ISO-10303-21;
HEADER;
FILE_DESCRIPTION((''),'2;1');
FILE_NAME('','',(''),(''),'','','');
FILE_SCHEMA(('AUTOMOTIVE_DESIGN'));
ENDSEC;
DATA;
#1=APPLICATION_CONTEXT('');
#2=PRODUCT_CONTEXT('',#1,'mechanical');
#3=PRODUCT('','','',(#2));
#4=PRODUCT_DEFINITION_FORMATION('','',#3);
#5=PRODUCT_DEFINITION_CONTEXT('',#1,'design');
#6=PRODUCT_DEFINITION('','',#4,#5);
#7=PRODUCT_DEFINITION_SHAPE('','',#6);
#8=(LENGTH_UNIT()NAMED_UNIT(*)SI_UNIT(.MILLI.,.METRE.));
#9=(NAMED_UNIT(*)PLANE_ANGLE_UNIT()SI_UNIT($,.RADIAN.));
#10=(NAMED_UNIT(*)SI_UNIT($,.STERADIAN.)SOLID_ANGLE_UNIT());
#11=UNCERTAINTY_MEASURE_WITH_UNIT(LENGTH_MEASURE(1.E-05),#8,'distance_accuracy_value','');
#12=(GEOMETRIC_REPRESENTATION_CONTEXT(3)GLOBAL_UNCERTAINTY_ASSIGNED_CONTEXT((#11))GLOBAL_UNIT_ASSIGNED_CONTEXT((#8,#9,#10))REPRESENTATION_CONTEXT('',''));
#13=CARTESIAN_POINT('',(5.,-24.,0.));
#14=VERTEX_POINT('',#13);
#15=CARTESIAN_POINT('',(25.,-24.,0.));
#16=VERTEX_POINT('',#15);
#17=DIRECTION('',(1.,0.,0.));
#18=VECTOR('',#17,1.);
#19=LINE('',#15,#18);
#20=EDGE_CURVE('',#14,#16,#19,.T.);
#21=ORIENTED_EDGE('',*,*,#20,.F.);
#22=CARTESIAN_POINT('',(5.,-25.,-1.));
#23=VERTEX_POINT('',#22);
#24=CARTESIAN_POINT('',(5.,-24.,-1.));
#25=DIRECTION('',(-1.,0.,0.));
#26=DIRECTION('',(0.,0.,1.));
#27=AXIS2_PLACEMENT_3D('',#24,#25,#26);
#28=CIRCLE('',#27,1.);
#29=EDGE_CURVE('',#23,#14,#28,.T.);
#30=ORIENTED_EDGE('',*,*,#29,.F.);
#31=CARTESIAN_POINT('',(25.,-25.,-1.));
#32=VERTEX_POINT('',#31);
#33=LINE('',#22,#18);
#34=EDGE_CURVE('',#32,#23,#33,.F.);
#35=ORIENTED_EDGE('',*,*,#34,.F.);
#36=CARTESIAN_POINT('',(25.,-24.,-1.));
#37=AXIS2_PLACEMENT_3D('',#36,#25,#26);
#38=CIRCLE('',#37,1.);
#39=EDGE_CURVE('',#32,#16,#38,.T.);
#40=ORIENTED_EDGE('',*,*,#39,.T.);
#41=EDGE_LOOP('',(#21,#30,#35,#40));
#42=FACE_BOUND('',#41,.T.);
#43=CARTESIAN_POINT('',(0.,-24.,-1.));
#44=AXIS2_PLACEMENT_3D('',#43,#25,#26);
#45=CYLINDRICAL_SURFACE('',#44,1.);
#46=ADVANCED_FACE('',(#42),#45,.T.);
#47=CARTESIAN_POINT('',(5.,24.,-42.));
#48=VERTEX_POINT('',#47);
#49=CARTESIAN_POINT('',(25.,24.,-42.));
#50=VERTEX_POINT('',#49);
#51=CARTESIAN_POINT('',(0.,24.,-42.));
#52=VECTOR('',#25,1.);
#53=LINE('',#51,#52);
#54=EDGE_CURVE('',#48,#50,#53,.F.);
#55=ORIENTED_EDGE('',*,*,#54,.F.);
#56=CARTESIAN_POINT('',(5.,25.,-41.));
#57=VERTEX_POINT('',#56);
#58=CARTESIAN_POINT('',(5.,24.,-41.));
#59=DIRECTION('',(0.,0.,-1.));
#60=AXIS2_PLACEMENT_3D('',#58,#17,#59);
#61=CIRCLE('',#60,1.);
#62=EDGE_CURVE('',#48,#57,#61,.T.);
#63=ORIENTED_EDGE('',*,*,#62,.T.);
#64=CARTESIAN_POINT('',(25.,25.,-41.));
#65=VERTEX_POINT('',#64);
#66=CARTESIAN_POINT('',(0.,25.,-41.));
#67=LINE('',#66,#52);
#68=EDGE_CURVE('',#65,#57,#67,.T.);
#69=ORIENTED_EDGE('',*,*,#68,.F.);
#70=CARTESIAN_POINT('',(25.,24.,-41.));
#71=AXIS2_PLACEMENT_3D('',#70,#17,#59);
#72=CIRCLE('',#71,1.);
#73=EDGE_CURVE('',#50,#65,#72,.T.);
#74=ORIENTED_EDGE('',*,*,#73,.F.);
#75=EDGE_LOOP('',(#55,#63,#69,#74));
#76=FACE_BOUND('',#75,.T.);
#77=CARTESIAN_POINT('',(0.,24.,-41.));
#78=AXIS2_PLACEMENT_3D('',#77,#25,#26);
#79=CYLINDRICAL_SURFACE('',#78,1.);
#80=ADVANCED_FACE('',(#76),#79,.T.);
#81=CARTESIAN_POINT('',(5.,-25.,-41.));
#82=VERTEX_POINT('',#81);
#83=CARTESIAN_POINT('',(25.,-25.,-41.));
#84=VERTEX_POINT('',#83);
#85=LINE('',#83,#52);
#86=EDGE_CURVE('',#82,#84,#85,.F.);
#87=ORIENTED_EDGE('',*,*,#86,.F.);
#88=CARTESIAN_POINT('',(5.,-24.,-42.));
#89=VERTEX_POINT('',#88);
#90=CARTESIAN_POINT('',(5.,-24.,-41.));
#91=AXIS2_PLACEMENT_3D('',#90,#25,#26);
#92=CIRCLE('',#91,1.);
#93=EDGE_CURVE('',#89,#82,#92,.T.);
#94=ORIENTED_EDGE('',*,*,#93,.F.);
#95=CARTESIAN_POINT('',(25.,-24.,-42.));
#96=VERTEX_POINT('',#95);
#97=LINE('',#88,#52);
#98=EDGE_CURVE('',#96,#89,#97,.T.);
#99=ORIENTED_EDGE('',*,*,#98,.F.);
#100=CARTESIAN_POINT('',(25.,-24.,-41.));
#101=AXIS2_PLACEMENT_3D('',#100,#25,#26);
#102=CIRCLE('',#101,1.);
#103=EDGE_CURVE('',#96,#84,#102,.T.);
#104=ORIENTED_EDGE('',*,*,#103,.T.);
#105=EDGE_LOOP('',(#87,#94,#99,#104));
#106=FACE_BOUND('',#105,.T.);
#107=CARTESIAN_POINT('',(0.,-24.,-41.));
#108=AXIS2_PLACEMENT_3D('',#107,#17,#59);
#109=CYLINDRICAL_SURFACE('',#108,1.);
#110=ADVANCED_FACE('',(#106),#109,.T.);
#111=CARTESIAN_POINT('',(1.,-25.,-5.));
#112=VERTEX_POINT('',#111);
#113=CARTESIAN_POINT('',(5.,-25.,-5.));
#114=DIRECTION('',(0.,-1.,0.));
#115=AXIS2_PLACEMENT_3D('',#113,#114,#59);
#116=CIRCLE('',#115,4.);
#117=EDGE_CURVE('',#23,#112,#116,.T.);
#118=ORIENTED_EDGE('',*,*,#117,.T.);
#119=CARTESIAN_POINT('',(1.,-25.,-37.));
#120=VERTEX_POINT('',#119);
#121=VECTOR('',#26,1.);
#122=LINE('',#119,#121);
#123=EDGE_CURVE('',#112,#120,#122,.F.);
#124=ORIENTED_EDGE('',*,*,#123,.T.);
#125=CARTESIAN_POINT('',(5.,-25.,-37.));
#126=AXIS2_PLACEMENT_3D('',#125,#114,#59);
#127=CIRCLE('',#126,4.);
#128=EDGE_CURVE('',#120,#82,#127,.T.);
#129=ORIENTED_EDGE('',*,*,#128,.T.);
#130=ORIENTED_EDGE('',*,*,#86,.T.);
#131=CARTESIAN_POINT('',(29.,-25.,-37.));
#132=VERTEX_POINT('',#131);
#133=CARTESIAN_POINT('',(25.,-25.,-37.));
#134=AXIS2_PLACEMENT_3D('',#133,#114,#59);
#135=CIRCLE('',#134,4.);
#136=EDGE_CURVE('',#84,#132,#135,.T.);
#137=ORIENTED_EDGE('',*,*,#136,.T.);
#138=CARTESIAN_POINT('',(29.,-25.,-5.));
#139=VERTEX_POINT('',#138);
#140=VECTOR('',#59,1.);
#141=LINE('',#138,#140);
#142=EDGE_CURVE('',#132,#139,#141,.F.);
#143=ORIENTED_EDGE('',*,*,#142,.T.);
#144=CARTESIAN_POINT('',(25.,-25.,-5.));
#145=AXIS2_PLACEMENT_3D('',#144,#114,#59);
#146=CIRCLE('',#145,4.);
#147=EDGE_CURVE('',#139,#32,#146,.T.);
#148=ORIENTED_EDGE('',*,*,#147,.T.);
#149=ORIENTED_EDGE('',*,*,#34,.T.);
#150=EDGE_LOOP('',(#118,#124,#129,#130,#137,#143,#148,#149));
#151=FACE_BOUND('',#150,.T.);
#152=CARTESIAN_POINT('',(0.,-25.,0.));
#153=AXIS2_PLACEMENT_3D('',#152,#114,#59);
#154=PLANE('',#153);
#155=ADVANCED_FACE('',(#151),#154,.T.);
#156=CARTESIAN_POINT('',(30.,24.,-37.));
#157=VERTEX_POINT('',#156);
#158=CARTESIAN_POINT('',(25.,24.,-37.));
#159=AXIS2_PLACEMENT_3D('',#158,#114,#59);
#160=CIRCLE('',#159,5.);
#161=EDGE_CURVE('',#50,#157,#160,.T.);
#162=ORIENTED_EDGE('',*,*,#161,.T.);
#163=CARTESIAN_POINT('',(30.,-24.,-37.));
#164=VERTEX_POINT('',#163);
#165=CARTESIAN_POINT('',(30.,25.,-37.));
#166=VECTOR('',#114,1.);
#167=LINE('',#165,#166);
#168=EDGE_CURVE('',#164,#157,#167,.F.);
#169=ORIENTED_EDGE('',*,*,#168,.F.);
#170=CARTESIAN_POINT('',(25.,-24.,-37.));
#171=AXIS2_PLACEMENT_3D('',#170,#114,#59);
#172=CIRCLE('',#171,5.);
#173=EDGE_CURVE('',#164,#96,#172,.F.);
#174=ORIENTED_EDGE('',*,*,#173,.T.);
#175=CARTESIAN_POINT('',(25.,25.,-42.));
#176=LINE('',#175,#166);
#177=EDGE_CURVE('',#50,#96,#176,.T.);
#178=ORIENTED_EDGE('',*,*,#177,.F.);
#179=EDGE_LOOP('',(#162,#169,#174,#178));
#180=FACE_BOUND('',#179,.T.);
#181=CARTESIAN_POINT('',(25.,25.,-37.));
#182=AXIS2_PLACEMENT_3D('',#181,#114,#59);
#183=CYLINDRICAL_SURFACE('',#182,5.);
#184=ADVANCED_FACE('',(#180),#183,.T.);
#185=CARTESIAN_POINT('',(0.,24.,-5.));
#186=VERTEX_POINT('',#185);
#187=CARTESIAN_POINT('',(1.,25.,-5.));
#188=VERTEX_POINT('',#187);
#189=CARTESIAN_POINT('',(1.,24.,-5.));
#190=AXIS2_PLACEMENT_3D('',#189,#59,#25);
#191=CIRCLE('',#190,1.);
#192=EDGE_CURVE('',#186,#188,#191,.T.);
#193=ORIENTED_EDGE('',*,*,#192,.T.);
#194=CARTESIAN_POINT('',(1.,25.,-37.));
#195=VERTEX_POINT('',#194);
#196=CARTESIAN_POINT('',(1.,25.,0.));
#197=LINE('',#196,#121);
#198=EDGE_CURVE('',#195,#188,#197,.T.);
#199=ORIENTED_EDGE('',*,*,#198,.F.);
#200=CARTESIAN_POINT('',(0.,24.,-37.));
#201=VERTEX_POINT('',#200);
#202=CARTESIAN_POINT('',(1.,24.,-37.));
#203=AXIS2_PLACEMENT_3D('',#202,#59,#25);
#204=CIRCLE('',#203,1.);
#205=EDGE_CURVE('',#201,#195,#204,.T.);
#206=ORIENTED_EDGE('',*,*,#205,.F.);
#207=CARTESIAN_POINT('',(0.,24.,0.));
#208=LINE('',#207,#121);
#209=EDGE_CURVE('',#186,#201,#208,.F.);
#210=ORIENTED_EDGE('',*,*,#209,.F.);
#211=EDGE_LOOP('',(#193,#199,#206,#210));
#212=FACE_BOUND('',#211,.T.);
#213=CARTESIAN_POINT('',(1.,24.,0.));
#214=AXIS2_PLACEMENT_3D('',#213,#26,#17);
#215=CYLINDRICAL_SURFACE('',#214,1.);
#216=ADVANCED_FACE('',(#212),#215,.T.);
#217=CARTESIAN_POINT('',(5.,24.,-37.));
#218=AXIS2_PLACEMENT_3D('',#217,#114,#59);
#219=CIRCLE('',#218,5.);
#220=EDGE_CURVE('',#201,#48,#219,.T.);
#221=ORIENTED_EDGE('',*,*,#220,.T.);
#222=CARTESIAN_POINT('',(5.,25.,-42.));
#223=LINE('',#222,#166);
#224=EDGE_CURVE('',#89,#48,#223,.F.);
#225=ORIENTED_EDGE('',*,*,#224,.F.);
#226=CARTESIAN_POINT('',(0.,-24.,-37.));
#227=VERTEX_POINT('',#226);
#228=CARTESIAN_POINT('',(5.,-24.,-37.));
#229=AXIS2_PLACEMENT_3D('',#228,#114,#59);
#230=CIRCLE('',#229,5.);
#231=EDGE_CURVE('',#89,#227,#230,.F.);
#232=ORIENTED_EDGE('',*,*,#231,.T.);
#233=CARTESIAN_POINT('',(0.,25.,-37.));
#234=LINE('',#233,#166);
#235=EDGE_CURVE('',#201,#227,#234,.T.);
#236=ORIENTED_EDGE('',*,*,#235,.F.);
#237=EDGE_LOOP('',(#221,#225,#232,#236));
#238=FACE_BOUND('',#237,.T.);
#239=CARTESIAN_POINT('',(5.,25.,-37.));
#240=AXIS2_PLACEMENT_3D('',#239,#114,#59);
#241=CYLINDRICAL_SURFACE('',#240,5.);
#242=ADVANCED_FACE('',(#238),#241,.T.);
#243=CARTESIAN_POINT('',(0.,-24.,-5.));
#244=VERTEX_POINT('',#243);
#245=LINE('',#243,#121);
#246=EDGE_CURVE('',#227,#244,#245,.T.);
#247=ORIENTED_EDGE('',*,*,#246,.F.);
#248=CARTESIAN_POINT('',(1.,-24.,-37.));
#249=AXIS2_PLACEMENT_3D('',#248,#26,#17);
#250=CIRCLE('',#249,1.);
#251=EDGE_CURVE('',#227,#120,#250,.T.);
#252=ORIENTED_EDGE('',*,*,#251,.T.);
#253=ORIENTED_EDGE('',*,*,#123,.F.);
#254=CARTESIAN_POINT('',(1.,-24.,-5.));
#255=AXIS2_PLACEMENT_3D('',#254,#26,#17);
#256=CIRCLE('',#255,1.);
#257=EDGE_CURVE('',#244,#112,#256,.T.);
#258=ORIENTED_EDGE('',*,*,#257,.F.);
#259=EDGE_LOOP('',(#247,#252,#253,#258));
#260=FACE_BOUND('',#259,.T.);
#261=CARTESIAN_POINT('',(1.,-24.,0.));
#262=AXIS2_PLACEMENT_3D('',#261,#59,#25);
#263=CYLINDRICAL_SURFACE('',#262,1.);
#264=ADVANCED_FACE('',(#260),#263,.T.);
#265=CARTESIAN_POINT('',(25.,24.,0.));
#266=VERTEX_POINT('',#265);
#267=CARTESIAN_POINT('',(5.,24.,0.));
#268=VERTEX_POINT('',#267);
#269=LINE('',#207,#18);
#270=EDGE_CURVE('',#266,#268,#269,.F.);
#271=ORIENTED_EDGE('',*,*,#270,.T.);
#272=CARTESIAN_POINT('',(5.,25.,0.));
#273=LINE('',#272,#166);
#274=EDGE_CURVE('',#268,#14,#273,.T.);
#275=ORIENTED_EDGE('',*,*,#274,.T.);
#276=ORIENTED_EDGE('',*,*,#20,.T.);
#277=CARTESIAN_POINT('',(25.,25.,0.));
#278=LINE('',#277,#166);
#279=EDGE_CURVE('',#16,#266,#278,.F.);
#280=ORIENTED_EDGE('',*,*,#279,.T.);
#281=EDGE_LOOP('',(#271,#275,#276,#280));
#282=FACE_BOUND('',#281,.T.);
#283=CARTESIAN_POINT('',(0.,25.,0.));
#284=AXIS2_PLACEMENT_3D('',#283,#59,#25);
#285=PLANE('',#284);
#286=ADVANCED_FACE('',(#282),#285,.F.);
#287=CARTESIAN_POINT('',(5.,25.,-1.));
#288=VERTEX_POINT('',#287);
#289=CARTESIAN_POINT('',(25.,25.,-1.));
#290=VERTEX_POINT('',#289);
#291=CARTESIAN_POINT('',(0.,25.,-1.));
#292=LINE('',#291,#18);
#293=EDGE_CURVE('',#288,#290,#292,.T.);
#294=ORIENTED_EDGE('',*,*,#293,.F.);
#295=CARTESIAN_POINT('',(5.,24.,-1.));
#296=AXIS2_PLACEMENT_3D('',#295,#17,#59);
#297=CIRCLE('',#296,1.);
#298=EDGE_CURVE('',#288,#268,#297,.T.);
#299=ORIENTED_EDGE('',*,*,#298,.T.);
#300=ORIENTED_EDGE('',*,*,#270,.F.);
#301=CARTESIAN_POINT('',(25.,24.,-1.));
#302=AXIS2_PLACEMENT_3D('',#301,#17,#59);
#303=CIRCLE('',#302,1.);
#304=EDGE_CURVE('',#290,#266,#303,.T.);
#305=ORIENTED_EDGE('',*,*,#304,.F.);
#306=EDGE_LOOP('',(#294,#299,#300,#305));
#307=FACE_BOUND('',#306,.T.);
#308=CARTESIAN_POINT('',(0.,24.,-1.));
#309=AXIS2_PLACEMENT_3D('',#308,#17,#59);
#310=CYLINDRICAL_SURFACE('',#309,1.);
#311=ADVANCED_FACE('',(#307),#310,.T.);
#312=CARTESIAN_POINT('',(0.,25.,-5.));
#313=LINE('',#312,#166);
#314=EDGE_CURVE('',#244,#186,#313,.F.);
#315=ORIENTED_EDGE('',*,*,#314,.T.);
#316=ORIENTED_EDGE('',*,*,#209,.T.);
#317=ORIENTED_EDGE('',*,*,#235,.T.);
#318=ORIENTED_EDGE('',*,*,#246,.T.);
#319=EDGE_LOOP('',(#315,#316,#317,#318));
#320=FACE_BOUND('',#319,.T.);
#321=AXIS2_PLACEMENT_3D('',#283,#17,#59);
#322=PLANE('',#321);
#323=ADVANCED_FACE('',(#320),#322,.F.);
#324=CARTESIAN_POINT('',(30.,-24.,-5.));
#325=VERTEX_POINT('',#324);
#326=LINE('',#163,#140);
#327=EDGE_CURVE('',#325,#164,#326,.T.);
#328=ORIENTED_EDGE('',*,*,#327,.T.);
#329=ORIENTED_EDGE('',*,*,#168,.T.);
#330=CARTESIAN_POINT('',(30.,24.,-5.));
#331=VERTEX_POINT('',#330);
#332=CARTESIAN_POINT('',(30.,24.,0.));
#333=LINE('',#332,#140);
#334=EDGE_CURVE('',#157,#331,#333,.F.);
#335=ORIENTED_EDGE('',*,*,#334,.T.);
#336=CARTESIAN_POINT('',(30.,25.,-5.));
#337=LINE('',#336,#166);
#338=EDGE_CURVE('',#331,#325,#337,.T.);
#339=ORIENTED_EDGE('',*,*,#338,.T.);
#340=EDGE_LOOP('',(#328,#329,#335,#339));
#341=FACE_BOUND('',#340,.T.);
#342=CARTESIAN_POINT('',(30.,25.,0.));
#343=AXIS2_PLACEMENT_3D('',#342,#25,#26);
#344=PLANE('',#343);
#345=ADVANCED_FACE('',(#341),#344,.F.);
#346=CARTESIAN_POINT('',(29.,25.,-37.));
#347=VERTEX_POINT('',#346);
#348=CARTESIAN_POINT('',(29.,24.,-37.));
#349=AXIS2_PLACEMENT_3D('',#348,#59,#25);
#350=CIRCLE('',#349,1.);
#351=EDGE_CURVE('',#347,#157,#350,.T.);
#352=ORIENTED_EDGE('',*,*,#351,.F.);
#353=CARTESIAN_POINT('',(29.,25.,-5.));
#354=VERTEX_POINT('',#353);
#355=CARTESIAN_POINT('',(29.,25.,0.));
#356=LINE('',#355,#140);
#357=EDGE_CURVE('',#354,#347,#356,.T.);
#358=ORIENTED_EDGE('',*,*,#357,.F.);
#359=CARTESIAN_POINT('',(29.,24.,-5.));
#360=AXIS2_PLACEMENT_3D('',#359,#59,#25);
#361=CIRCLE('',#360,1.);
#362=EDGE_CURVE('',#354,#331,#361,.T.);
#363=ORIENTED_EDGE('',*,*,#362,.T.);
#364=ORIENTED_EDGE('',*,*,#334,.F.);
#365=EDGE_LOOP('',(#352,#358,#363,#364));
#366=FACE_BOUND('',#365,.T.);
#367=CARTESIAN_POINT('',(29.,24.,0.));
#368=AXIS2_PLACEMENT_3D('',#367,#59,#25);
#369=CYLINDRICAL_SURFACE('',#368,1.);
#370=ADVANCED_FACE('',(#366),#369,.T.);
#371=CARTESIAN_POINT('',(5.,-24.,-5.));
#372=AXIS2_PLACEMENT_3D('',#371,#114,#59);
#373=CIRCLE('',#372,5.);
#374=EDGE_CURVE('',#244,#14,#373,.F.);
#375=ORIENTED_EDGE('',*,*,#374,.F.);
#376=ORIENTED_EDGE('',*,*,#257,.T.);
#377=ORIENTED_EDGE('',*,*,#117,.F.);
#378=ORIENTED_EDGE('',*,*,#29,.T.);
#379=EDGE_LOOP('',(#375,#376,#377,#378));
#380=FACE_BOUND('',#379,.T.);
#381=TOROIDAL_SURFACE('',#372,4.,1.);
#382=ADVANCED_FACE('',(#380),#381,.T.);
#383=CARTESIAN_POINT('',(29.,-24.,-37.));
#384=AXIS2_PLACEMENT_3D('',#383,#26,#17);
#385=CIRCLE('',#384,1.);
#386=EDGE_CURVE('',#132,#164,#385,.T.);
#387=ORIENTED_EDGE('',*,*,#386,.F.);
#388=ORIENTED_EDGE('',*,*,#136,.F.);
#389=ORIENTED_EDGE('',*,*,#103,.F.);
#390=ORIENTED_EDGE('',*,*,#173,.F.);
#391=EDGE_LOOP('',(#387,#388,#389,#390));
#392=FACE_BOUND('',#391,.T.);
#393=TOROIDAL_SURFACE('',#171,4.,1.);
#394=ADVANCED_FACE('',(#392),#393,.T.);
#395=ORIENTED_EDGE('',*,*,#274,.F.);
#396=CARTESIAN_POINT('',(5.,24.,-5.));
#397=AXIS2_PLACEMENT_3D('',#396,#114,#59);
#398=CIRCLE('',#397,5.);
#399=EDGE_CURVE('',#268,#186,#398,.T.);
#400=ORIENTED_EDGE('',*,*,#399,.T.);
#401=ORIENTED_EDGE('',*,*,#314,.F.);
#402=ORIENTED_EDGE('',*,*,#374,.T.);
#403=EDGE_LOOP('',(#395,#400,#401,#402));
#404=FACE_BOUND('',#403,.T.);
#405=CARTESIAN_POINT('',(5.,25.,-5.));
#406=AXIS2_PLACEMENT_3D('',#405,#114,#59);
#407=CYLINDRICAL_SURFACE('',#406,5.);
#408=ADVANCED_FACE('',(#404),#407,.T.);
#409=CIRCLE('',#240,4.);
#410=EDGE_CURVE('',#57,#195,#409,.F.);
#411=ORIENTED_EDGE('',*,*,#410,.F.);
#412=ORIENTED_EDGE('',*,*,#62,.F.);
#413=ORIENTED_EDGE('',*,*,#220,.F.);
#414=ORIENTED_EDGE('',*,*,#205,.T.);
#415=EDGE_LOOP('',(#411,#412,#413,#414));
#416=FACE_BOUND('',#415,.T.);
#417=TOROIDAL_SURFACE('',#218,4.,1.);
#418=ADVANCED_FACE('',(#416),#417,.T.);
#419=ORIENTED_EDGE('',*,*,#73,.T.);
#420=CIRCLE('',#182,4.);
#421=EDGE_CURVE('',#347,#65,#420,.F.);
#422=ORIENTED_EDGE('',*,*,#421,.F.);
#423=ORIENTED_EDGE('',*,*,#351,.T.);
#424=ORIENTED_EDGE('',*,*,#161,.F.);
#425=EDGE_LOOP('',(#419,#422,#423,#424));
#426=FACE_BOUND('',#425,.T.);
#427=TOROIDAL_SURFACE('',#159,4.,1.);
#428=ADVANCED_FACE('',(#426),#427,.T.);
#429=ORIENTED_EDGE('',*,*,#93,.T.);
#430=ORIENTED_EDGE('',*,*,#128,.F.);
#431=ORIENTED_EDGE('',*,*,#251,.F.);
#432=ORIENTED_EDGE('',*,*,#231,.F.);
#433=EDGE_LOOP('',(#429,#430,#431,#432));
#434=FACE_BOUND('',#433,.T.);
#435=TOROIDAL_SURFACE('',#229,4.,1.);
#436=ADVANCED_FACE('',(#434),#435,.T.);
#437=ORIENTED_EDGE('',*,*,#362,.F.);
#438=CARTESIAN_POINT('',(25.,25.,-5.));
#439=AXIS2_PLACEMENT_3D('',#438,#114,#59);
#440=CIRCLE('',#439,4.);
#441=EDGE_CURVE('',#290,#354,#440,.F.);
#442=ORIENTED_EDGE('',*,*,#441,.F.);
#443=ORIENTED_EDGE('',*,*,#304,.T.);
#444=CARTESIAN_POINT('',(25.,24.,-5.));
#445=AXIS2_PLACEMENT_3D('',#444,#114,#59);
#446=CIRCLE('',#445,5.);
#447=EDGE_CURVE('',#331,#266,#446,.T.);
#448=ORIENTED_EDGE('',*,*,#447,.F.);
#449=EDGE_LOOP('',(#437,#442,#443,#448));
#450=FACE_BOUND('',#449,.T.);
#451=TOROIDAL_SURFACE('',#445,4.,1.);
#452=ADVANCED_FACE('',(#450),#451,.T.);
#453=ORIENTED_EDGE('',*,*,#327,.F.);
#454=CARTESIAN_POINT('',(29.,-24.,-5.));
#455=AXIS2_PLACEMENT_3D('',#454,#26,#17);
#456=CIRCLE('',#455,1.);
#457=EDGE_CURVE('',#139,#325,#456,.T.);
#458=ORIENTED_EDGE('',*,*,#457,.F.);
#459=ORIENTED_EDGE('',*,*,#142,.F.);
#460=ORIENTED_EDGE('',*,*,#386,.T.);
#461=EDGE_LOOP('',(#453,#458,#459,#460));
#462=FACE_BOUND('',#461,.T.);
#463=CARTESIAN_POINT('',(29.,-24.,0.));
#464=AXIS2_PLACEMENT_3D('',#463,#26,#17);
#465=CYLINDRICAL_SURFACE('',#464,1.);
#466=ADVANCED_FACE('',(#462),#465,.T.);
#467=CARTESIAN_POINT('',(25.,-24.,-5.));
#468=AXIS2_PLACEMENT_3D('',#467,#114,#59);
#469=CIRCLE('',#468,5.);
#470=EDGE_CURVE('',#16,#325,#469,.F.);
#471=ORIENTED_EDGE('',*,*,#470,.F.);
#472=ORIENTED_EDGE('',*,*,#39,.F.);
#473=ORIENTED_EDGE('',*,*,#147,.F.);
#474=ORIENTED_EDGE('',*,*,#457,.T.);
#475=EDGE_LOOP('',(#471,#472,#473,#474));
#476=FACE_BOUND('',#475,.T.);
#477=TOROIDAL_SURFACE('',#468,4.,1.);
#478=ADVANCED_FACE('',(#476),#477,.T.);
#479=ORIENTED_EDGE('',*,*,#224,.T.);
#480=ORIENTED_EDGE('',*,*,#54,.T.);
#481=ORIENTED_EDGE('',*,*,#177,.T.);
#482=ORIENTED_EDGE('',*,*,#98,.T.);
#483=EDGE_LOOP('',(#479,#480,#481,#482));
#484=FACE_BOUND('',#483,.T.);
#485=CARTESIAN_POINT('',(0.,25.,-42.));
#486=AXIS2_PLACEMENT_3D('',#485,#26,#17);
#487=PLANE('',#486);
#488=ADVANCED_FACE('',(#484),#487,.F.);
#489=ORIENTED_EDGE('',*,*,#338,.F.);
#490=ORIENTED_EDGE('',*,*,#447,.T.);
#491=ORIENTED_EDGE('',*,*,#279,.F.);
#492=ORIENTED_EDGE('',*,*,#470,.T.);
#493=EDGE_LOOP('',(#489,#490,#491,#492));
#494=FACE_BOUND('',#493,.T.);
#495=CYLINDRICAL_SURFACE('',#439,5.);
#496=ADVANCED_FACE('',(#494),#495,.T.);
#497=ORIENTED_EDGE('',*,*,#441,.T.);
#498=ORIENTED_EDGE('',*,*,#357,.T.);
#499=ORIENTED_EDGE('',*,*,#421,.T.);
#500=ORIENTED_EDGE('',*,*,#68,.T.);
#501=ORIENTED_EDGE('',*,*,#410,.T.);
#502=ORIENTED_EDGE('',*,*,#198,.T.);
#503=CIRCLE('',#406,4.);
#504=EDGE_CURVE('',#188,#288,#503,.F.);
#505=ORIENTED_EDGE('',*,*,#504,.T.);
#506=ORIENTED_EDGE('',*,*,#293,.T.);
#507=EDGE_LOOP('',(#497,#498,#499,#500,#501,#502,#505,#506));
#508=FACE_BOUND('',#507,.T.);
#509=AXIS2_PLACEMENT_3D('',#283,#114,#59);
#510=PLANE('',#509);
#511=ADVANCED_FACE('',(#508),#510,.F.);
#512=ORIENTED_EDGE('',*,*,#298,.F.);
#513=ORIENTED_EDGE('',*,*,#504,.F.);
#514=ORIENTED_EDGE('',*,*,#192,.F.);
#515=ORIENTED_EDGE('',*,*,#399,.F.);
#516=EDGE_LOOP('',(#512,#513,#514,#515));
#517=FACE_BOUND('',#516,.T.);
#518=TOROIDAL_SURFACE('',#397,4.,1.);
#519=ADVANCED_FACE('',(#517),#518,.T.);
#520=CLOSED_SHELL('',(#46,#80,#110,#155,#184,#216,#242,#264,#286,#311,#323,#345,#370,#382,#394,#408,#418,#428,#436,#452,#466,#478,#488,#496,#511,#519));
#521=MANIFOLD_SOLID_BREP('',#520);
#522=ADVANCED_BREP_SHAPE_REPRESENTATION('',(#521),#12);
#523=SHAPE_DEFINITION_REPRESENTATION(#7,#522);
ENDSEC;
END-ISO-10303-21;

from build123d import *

# Parameters (mm, degrees)
SKETCH1_W           = 30
SKETCH1_H           = 42
BOSS_EXTRUDE1_DEPTH = 25
FILLET1_R           = 5
FILLET2_R           = 1
FILLET3_R           = 1


with BuildPart() as part:
    # Sketch1 → Boss-Extrude1 (new body, symmetric)
    with BuildSketch(Plane(origin=(0, 0, 0), x_dir=(1, 0, 0), z_dir=(0, 1, 0))):
        with Locations((15, 21)):
            Rectangle(SKETCH1_W, SKETCH1_H)
    extrude(amount=BOSS_EXTRUDE1_DEPTH, both=True)

    # Fillet1
    fillet1_edges = [part.edges().sort_by_distance(p)[0] for p in [
        (0, 0, -42),
        (30, 0, -42),
        (30, 0, 0),
        (0, 0, 0),
    ]]
    fillet(fillet1_edges, radius=FILLET1_R)

    # Fillet2
    fillet2_edges = [part.edges().sort_by_distance(p)[0] for p in [
        (0, 25, -21),
        (15, 25, -42),
        (15, 25, 0),
        (30, 25, -21),
        (28.535533906, 25, -1.464466094),
        (28.535533906, 25, -40.535533906),
        (1.464466094, 25, -1.464466094),
        (1.464466094, 25, -40.535533906),
    ]]
    fillet(fillet2_edges, radius=FILLET2_R)

    # Fillet3
    fillet3_edges = [part.edges().sort_by_distance(p)[0] for p in [
        (0, -25, -21),
        (15, -25, -42),
        (30, -25, -21),
        (15, -25, 0),
        (28.535533906, -25, -1.464466094),
        (28.535533906, -25, -40.535533906),
        (1.464466094, -25, -1.464466094),
        (1.464466094, -25, -40.535533906),
    ]]
    fillet(fillet3_edges, radius=FILLET3_R)


solid = part.part
